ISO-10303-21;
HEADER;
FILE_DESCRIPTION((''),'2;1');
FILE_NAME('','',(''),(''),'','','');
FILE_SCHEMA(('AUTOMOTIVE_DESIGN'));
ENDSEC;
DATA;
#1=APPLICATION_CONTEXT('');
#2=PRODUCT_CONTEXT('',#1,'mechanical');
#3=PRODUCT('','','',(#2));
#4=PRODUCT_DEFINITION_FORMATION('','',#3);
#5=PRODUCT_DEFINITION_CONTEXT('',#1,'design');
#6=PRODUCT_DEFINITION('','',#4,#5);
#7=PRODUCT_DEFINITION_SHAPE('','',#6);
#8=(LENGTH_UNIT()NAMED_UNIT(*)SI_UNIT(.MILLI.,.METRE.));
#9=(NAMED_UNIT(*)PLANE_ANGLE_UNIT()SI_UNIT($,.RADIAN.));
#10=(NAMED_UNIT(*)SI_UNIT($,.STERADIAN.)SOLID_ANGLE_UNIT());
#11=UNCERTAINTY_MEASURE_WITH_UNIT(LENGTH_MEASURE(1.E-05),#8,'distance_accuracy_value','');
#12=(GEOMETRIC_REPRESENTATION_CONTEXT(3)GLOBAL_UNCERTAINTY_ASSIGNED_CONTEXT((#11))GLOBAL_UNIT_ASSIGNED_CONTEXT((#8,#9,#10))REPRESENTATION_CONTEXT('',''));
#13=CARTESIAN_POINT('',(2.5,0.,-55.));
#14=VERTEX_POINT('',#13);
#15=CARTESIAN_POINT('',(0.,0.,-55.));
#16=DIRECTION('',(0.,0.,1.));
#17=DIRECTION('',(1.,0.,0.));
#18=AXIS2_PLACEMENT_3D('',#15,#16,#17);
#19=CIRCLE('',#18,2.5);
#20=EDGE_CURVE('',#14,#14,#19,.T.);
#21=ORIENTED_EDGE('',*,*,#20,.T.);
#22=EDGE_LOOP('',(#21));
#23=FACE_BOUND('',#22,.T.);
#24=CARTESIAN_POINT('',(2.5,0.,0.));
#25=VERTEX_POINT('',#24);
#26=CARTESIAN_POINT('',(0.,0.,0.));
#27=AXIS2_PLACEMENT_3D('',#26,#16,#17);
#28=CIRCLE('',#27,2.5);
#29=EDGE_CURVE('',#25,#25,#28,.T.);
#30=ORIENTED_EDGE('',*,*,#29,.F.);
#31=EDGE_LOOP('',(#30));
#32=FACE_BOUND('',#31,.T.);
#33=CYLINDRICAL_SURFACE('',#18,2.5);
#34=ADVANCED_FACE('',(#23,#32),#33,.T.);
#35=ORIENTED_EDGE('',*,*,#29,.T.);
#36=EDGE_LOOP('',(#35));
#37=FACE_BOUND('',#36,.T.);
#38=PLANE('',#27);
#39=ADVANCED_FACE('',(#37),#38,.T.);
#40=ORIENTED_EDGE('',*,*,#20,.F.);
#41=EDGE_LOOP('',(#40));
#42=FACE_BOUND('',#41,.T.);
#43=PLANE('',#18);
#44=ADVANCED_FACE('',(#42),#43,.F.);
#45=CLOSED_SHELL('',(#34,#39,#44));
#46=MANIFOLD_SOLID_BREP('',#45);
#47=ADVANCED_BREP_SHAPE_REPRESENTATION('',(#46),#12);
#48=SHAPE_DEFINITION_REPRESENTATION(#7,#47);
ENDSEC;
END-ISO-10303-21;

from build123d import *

# Parameters (mm, degrees)
SKETCH1_R           = 2.5
BOSS_EXTRUDE1_DEPTH = 55


with BuildPart() as part:
    # Sketch1 → Boss-Extrude1 (new body)
    with BuildSketch(Plane.XY):
        Circle(SKETCH1_R)
    extrude(amount=-BOSS_EXTRUDE1_DEPTH)


solid = part.part
